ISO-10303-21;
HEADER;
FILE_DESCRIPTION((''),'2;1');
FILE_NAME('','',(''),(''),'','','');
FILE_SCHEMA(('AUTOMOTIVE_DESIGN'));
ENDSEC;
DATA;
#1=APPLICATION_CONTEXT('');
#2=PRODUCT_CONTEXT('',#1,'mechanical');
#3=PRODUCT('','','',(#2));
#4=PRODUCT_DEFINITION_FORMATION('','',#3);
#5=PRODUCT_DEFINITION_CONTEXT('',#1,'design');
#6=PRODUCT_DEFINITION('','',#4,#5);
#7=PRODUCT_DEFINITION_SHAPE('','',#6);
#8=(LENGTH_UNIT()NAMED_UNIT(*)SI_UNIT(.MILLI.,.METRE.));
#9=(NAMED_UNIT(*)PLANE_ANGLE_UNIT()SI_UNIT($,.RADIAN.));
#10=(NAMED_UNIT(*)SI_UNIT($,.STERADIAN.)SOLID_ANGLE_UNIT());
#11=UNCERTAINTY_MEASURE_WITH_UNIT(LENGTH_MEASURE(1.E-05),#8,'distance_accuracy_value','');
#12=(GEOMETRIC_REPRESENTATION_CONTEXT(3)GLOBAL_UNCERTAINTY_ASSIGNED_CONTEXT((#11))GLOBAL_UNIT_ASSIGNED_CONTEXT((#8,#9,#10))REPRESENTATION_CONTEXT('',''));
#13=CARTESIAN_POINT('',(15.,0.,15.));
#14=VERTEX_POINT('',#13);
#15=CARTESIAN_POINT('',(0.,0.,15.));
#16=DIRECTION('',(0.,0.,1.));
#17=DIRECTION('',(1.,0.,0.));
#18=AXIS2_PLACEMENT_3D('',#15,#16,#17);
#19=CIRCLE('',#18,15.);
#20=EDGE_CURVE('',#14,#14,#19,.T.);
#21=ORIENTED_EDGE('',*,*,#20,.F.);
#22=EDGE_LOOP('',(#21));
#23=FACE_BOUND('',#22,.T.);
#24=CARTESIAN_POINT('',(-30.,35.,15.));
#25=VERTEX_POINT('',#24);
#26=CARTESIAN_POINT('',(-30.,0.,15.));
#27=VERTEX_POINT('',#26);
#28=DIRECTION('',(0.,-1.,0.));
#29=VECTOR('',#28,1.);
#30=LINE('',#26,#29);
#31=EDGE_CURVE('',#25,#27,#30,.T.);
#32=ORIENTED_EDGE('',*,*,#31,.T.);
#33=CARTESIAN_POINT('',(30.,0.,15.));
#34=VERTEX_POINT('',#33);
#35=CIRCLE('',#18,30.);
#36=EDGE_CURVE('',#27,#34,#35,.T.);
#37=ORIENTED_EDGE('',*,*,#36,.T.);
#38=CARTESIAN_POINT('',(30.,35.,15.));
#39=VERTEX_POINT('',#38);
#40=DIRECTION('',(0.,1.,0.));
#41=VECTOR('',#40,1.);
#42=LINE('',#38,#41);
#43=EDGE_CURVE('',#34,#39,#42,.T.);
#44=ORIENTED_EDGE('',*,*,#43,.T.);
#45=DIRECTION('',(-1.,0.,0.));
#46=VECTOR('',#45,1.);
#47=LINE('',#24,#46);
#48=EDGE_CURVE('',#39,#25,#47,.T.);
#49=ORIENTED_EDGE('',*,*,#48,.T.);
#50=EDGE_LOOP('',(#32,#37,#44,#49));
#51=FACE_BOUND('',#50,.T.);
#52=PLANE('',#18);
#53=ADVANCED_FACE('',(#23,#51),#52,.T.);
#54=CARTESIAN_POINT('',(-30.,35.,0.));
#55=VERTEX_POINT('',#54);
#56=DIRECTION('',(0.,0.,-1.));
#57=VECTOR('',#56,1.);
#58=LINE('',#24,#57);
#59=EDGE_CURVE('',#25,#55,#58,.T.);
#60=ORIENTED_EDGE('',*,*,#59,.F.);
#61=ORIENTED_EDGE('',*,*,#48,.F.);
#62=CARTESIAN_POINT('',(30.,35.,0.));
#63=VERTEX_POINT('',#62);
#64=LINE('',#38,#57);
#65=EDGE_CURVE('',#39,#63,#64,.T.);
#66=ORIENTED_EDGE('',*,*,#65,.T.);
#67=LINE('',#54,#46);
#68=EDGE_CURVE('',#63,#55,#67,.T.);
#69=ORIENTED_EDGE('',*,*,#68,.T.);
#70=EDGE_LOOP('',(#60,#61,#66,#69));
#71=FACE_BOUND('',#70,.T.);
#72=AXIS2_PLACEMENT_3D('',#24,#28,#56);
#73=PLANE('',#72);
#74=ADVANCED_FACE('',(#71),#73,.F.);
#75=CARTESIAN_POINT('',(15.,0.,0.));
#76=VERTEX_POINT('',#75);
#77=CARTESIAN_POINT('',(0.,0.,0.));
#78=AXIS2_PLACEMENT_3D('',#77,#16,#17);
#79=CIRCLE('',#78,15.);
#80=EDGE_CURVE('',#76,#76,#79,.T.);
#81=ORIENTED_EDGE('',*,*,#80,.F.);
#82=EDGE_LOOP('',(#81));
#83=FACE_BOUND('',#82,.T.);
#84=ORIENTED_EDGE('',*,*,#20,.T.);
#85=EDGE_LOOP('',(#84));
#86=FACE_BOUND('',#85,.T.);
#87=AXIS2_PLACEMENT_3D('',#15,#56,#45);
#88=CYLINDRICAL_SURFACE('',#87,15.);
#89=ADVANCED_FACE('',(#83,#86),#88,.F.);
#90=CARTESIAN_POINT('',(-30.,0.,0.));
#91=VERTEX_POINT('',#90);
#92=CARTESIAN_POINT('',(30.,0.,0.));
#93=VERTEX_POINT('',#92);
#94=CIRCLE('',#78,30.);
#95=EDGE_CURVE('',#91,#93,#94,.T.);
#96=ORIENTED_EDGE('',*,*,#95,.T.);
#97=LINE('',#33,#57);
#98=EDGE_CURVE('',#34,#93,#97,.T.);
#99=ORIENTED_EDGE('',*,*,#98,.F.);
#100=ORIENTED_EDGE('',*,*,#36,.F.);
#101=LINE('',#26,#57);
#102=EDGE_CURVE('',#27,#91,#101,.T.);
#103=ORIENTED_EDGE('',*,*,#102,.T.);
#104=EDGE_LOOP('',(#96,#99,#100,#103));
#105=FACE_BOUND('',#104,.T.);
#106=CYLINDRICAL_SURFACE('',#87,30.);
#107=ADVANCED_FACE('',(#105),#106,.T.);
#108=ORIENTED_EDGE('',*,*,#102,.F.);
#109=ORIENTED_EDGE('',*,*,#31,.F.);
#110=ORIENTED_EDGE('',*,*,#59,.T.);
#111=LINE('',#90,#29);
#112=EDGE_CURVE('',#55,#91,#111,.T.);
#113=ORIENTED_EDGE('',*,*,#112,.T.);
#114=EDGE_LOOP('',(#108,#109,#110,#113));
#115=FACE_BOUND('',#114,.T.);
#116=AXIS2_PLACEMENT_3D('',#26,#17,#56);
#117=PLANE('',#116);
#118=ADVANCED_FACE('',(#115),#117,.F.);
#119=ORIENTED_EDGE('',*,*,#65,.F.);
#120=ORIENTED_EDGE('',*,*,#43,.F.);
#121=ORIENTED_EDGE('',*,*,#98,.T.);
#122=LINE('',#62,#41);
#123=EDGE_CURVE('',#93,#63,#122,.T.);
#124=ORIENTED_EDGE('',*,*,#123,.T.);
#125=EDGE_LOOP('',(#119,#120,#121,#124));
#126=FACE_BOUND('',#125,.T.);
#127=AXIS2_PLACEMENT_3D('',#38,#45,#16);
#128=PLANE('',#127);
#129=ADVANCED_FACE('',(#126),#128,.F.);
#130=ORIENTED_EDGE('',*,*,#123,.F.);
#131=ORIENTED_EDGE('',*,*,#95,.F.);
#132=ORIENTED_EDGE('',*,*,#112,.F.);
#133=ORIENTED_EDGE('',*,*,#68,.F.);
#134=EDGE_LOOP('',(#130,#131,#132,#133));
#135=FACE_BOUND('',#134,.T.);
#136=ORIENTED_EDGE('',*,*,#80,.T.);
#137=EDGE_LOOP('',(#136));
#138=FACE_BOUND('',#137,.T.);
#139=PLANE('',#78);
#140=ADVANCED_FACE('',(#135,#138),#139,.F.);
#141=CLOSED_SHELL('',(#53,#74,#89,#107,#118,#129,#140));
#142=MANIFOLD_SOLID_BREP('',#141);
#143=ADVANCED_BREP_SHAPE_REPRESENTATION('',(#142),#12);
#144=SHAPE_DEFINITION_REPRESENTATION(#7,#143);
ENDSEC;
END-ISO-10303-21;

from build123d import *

# Parameters (mm, degrees)
SKETCH1_R           = 15
BOSS_EXTRUDE1_DEPTH = 15


with BuildPart() as part:
    # Sketch1 → Boss-Extrude1 (new body)
    with BuildSketch(Plane.XY):
        with BuildLine():
            Line((-30, 0), (-30, 35))
            Line((-30, 35), (30, 35))
            Line((30, 35), (30, 0))
            ThreePointArc((30, 0), (0, -30), (-30, 0))
        make_face()
        Circle(SKETCH1_R, mode=Mode.SUBTRACT)
    extrude(amount=BOSS_EXTRUDE1_DEPTH)


solid = part.part
